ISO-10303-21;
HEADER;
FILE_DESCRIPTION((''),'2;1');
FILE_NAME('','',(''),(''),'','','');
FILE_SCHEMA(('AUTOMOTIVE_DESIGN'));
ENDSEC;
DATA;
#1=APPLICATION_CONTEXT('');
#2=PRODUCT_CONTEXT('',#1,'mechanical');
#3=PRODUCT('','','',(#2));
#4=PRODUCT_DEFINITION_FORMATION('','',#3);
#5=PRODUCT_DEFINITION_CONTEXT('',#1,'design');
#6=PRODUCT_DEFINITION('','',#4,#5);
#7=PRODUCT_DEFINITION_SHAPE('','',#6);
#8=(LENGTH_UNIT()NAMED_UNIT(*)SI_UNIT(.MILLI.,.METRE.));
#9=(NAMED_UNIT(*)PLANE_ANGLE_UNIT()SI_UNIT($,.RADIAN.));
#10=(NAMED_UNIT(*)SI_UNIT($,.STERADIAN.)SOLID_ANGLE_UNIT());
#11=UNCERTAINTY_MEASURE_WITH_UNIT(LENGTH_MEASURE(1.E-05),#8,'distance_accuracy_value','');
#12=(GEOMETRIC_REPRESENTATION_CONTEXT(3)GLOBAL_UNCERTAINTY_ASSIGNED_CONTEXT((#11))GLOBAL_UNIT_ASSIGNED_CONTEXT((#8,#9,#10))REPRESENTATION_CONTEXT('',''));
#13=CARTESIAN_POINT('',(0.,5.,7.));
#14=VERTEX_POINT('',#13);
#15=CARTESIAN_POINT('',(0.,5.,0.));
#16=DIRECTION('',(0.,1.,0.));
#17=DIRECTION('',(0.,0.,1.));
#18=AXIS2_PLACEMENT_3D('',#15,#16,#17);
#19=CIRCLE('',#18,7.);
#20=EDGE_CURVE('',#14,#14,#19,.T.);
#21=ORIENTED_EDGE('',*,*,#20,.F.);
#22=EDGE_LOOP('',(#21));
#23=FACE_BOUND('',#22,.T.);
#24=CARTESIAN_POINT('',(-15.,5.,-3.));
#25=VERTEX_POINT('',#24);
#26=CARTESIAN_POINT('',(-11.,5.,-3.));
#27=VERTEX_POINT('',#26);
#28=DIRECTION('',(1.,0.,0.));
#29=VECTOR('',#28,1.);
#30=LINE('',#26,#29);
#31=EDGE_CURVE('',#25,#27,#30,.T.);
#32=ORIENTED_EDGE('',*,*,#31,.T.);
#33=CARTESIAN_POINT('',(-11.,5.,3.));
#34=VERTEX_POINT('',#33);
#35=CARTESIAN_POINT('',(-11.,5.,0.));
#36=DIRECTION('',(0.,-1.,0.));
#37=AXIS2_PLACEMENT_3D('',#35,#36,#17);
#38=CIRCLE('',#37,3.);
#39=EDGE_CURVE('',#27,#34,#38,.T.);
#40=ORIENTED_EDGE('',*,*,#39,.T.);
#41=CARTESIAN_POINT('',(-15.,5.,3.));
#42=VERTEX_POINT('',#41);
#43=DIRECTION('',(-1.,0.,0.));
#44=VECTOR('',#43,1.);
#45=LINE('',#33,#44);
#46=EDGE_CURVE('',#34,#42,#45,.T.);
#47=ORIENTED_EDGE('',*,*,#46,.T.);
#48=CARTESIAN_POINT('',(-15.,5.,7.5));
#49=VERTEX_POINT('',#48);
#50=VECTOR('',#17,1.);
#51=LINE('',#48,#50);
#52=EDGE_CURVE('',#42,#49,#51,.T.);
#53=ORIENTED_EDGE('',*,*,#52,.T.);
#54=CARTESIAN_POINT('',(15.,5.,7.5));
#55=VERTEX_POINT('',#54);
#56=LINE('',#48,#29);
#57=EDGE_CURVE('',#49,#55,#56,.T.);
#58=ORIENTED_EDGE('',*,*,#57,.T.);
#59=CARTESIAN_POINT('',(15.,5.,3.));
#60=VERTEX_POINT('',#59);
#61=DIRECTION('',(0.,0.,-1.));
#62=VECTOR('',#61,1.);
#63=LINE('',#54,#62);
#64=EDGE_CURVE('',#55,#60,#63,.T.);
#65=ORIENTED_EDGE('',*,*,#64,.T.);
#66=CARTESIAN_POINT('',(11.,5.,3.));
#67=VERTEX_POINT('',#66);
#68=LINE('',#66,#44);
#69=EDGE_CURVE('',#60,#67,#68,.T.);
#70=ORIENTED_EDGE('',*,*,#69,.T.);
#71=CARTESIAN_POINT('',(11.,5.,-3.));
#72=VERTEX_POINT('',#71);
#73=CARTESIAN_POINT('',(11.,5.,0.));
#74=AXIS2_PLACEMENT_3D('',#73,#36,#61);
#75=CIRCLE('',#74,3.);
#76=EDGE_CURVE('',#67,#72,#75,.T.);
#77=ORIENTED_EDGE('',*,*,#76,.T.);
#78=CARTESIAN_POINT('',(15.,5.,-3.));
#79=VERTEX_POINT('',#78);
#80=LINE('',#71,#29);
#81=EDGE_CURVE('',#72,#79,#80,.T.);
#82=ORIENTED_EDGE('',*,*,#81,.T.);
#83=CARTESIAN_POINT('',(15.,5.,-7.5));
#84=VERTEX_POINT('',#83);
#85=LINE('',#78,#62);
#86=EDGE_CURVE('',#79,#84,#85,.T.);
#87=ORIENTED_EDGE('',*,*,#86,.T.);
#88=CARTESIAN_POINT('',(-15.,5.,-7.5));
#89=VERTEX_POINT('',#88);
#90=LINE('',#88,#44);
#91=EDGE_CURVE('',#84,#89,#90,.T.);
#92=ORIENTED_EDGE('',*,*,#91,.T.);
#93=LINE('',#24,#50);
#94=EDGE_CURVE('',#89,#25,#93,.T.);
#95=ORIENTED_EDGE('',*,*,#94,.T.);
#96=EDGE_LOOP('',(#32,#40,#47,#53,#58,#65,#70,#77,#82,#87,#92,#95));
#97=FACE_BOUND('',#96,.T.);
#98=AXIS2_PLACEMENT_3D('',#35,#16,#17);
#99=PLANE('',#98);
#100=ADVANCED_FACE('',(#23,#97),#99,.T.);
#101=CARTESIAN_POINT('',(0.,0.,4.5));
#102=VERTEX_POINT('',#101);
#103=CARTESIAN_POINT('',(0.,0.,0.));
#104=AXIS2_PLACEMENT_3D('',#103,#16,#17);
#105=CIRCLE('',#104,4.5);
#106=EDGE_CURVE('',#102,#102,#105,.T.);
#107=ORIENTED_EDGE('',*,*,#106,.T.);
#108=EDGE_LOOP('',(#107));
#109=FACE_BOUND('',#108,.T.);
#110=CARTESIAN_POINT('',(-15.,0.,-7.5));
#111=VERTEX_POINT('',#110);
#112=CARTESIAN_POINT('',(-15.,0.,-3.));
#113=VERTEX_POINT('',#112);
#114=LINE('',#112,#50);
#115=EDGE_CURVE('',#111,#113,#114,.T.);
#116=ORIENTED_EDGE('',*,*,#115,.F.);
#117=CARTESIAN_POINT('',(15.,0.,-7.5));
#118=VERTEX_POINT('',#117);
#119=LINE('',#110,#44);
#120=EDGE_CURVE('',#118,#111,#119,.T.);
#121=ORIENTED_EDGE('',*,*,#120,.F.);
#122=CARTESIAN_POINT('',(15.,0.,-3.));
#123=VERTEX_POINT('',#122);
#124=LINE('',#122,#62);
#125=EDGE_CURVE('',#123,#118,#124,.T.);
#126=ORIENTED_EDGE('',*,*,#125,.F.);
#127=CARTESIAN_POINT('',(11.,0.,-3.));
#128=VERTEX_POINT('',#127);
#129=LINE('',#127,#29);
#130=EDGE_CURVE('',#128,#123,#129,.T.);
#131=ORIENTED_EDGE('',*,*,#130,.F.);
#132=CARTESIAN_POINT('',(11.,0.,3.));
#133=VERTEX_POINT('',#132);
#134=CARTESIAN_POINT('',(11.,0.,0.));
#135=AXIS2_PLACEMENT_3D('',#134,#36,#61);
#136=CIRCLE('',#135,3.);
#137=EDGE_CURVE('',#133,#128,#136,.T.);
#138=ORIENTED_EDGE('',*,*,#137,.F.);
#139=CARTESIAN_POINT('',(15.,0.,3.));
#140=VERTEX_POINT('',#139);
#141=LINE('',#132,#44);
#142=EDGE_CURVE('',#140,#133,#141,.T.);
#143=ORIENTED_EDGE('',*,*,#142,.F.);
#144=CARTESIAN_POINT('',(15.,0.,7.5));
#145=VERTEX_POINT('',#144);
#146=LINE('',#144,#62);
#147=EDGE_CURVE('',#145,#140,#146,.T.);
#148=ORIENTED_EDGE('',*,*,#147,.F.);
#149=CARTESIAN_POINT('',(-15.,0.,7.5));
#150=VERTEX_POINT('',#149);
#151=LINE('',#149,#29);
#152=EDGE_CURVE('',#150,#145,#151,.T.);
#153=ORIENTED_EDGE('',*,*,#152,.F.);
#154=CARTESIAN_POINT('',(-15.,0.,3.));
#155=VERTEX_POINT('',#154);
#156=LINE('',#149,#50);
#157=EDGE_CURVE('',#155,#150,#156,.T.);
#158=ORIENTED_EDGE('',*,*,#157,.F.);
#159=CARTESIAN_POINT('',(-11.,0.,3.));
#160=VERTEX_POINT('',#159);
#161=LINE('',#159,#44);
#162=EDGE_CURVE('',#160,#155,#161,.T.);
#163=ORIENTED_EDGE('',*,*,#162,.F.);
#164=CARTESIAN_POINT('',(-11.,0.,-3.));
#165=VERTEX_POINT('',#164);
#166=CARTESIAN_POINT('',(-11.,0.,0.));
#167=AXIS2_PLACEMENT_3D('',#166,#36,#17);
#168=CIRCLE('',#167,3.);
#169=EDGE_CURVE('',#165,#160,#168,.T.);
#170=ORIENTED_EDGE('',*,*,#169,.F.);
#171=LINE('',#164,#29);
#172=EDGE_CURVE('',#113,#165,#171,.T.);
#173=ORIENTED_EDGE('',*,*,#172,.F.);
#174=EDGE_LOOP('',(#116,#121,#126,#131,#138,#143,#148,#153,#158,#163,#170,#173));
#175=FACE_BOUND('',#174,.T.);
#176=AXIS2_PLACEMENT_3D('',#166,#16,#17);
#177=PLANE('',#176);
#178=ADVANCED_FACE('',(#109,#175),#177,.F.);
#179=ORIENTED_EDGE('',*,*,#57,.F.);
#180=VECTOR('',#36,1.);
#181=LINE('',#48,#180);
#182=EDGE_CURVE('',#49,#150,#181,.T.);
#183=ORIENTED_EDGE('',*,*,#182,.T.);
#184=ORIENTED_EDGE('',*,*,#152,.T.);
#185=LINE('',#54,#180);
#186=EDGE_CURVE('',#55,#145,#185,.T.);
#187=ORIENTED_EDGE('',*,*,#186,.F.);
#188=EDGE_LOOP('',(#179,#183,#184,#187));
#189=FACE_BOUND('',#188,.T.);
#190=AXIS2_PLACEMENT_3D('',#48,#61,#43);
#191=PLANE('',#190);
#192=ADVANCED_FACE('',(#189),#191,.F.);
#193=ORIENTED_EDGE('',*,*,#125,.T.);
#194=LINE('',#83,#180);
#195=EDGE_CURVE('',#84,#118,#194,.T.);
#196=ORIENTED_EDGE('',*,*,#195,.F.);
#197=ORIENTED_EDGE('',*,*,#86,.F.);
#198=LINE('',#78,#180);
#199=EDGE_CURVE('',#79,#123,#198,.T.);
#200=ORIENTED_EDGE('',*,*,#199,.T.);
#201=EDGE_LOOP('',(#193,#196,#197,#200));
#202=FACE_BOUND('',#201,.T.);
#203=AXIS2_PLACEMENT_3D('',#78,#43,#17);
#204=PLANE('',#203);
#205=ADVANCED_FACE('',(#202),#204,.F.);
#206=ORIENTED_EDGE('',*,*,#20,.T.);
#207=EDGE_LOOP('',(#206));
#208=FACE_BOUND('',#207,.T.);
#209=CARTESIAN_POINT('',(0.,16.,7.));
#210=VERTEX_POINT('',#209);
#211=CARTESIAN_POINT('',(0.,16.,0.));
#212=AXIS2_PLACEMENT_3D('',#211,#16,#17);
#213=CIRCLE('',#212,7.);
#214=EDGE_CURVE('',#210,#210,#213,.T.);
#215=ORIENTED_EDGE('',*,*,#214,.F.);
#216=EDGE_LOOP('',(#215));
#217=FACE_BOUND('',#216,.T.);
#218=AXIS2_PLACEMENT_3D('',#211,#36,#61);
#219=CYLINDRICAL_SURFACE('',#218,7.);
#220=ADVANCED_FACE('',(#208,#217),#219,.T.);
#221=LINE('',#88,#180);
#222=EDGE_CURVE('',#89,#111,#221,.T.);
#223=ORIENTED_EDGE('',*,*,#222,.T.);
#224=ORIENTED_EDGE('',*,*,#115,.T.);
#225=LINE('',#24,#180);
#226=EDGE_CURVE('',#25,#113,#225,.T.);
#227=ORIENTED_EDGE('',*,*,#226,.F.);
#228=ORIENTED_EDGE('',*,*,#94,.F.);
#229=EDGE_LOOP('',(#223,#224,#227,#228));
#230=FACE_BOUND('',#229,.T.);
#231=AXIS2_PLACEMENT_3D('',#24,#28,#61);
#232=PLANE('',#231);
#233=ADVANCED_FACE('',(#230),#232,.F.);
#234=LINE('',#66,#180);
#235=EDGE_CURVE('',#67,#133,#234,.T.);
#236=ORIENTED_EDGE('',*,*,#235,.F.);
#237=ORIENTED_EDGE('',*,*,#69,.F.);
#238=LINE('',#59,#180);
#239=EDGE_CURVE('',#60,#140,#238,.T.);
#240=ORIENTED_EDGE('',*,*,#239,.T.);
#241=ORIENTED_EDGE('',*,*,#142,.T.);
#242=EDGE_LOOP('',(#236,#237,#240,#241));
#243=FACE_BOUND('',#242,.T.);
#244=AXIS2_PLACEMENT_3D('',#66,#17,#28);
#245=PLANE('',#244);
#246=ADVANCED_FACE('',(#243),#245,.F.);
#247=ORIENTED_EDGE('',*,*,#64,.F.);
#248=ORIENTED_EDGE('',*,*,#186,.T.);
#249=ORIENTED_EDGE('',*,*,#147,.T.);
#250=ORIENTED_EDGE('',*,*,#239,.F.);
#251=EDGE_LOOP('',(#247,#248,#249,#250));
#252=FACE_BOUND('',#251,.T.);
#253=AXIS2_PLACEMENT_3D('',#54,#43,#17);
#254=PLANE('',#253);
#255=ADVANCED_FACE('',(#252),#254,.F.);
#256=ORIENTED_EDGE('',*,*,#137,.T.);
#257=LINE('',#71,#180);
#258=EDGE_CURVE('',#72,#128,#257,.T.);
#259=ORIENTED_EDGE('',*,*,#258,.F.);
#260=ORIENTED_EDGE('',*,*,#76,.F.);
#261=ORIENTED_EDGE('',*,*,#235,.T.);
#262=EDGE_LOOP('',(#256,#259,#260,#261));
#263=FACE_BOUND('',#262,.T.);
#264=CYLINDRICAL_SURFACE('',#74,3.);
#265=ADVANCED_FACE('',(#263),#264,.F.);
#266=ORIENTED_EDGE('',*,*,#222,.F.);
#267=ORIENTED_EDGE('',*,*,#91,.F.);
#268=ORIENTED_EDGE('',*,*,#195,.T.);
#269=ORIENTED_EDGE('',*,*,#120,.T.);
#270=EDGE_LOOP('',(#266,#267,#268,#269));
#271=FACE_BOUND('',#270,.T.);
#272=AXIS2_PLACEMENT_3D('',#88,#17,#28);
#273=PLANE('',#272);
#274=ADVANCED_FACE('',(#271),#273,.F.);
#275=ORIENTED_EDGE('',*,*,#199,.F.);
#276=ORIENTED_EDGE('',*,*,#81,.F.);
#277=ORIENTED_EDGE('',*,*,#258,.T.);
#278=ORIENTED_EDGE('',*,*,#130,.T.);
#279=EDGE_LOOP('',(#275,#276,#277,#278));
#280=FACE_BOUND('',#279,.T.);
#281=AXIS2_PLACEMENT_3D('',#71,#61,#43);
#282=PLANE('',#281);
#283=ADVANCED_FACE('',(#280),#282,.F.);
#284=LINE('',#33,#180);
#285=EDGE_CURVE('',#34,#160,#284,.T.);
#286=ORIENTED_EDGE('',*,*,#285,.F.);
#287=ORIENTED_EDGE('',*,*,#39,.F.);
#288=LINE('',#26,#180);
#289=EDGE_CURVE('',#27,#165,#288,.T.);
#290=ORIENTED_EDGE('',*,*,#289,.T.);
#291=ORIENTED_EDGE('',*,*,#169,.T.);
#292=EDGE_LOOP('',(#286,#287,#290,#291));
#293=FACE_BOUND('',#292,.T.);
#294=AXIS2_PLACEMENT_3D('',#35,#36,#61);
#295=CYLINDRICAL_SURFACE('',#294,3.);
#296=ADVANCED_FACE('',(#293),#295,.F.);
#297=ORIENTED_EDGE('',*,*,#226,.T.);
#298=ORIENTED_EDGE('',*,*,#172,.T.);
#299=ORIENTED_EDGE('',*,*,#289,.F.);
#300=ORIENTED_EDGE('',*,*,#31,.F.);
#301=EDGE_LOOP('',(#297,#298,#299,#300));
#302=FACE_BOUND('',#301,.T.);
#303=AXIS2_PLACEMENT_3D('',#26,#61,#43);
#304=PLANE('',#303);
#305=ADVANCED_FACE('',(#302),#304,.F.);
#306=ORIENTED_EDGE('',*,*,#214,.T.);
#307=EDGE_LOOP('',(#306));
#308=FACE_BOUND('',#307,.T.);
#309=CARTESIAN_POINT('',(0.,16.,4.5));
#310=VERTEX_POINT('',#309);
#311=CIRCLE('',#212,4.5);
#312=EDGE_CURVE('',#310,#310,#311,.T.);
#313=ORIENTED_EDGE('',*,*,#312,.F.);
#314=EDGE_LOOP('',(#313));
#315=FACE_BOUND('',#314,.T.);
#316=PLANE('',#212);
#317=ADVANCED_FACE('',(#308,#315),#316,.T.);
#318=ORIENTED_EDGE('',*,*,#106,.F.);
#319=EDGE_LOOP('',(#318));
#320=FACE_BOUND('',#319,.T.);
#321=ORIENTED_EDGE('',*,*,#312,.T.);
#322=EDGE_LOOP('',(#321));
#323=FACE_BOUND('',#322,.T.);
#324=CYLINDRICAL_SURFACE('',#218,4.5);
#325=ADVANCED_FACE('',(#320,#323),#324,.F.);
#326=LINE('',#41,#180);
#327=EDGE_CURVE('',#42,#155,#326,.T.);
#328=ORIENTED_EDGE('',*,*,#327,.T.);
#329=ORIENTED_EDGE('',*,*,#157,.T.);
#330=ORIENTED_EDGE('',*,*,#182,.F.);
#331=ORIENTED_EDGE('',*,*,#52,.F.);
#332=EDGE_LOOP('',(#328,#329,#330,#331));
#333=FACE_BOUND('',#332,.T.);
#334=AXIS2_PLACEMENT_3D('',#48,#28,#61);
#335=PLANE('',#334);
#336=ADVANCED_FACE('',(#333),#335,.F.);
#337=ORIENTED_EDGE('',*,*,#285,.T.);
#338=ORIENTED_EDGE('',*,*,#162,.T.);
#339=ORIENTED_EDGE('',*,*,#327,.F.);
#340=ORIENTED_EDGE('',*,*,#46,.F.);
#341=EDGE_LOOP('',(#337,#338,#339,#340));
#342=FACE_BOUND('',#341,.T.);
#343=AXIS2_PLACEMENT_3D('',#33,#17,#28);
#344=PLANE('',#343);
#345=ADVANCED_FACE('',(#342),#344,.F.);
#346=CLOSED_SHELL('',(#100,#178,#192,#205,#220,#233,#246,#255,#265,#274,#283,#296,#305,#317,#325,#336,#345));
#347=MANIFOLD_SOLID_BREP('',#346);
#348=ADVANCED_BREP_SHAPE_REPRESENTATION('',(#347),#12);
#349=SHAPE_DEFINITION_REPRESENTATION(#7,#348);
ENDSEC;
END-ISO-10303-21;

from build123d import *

# Parameters (mm, degrees)
EXTRUDE_1_DEPTH     = 5
SKETCH_3_R          = 7
SKETCH_3_R_2        = 4.5
EXTRUDE_2_DEPTH     = 11
SKETCH_3_3_R        = 4.5
CUT_EXTRUDE_1_DEPTH = 21.05617112


with BuildPart() as part:
    # 草图2 → 凸台-拉伸1 (new body)
    with BuildSketch(Plane(origin=(0, 0, 0), x_dir=(1, 0, 0), z_dir=(0, 1, 0))):
        with BuildLine():
            Line((-15, -7.5), (15, -7.5))
            Line((15, -7.5), (15, -3))
            Line((15, -3), (11, -3))
            ThreePointArc((11, -3), (8, 0), (11, 3))
            Line((11, 3), (15, 3))
            Line((15, 3), (15, 7.5))
            Line((15, 7.5), (-15, 7.5))
            Line((-15, 7.5), (-15, 3))
            Line((-15, 3), (-11, 3))
            ThreePointArc((-11, 3), (-8, 0), (-11, -3))
            Line((-11, -3), (-15, -3))
            Line((-15, -3), (-15, -7.5))
        make_face()
    extrude(amount=EXTRUDE_1_DEPTH)

    # 草图3 → 凸台-拉伸2 (add)
    with BuildSketch(Plane(origin=(0, 5, 0), x_dir=(1, 0, 0), z_dir=(0, 1, 0))):
        Circle(SKETCH_3_R)
        Circle(SKETCH_3_R_2, mode=Mode.SUBTRACT)
    extrude(amount=EXTRUDE_2_DEPTH)

    # 草图3<3> → 切除-拉伸1 (cut, through all)
    with BuildSketch(Plane(origin=(0, 5, 0), x_dir=(1, 0, 0), z_dir=(0, 1, 0))):
        Circle(SKETCH_3_3_R)
    extrude(amount=-CUT_EXTRUDE_1_DEPTH, mode=Mode.SUBTRACT)


solid = part.part
